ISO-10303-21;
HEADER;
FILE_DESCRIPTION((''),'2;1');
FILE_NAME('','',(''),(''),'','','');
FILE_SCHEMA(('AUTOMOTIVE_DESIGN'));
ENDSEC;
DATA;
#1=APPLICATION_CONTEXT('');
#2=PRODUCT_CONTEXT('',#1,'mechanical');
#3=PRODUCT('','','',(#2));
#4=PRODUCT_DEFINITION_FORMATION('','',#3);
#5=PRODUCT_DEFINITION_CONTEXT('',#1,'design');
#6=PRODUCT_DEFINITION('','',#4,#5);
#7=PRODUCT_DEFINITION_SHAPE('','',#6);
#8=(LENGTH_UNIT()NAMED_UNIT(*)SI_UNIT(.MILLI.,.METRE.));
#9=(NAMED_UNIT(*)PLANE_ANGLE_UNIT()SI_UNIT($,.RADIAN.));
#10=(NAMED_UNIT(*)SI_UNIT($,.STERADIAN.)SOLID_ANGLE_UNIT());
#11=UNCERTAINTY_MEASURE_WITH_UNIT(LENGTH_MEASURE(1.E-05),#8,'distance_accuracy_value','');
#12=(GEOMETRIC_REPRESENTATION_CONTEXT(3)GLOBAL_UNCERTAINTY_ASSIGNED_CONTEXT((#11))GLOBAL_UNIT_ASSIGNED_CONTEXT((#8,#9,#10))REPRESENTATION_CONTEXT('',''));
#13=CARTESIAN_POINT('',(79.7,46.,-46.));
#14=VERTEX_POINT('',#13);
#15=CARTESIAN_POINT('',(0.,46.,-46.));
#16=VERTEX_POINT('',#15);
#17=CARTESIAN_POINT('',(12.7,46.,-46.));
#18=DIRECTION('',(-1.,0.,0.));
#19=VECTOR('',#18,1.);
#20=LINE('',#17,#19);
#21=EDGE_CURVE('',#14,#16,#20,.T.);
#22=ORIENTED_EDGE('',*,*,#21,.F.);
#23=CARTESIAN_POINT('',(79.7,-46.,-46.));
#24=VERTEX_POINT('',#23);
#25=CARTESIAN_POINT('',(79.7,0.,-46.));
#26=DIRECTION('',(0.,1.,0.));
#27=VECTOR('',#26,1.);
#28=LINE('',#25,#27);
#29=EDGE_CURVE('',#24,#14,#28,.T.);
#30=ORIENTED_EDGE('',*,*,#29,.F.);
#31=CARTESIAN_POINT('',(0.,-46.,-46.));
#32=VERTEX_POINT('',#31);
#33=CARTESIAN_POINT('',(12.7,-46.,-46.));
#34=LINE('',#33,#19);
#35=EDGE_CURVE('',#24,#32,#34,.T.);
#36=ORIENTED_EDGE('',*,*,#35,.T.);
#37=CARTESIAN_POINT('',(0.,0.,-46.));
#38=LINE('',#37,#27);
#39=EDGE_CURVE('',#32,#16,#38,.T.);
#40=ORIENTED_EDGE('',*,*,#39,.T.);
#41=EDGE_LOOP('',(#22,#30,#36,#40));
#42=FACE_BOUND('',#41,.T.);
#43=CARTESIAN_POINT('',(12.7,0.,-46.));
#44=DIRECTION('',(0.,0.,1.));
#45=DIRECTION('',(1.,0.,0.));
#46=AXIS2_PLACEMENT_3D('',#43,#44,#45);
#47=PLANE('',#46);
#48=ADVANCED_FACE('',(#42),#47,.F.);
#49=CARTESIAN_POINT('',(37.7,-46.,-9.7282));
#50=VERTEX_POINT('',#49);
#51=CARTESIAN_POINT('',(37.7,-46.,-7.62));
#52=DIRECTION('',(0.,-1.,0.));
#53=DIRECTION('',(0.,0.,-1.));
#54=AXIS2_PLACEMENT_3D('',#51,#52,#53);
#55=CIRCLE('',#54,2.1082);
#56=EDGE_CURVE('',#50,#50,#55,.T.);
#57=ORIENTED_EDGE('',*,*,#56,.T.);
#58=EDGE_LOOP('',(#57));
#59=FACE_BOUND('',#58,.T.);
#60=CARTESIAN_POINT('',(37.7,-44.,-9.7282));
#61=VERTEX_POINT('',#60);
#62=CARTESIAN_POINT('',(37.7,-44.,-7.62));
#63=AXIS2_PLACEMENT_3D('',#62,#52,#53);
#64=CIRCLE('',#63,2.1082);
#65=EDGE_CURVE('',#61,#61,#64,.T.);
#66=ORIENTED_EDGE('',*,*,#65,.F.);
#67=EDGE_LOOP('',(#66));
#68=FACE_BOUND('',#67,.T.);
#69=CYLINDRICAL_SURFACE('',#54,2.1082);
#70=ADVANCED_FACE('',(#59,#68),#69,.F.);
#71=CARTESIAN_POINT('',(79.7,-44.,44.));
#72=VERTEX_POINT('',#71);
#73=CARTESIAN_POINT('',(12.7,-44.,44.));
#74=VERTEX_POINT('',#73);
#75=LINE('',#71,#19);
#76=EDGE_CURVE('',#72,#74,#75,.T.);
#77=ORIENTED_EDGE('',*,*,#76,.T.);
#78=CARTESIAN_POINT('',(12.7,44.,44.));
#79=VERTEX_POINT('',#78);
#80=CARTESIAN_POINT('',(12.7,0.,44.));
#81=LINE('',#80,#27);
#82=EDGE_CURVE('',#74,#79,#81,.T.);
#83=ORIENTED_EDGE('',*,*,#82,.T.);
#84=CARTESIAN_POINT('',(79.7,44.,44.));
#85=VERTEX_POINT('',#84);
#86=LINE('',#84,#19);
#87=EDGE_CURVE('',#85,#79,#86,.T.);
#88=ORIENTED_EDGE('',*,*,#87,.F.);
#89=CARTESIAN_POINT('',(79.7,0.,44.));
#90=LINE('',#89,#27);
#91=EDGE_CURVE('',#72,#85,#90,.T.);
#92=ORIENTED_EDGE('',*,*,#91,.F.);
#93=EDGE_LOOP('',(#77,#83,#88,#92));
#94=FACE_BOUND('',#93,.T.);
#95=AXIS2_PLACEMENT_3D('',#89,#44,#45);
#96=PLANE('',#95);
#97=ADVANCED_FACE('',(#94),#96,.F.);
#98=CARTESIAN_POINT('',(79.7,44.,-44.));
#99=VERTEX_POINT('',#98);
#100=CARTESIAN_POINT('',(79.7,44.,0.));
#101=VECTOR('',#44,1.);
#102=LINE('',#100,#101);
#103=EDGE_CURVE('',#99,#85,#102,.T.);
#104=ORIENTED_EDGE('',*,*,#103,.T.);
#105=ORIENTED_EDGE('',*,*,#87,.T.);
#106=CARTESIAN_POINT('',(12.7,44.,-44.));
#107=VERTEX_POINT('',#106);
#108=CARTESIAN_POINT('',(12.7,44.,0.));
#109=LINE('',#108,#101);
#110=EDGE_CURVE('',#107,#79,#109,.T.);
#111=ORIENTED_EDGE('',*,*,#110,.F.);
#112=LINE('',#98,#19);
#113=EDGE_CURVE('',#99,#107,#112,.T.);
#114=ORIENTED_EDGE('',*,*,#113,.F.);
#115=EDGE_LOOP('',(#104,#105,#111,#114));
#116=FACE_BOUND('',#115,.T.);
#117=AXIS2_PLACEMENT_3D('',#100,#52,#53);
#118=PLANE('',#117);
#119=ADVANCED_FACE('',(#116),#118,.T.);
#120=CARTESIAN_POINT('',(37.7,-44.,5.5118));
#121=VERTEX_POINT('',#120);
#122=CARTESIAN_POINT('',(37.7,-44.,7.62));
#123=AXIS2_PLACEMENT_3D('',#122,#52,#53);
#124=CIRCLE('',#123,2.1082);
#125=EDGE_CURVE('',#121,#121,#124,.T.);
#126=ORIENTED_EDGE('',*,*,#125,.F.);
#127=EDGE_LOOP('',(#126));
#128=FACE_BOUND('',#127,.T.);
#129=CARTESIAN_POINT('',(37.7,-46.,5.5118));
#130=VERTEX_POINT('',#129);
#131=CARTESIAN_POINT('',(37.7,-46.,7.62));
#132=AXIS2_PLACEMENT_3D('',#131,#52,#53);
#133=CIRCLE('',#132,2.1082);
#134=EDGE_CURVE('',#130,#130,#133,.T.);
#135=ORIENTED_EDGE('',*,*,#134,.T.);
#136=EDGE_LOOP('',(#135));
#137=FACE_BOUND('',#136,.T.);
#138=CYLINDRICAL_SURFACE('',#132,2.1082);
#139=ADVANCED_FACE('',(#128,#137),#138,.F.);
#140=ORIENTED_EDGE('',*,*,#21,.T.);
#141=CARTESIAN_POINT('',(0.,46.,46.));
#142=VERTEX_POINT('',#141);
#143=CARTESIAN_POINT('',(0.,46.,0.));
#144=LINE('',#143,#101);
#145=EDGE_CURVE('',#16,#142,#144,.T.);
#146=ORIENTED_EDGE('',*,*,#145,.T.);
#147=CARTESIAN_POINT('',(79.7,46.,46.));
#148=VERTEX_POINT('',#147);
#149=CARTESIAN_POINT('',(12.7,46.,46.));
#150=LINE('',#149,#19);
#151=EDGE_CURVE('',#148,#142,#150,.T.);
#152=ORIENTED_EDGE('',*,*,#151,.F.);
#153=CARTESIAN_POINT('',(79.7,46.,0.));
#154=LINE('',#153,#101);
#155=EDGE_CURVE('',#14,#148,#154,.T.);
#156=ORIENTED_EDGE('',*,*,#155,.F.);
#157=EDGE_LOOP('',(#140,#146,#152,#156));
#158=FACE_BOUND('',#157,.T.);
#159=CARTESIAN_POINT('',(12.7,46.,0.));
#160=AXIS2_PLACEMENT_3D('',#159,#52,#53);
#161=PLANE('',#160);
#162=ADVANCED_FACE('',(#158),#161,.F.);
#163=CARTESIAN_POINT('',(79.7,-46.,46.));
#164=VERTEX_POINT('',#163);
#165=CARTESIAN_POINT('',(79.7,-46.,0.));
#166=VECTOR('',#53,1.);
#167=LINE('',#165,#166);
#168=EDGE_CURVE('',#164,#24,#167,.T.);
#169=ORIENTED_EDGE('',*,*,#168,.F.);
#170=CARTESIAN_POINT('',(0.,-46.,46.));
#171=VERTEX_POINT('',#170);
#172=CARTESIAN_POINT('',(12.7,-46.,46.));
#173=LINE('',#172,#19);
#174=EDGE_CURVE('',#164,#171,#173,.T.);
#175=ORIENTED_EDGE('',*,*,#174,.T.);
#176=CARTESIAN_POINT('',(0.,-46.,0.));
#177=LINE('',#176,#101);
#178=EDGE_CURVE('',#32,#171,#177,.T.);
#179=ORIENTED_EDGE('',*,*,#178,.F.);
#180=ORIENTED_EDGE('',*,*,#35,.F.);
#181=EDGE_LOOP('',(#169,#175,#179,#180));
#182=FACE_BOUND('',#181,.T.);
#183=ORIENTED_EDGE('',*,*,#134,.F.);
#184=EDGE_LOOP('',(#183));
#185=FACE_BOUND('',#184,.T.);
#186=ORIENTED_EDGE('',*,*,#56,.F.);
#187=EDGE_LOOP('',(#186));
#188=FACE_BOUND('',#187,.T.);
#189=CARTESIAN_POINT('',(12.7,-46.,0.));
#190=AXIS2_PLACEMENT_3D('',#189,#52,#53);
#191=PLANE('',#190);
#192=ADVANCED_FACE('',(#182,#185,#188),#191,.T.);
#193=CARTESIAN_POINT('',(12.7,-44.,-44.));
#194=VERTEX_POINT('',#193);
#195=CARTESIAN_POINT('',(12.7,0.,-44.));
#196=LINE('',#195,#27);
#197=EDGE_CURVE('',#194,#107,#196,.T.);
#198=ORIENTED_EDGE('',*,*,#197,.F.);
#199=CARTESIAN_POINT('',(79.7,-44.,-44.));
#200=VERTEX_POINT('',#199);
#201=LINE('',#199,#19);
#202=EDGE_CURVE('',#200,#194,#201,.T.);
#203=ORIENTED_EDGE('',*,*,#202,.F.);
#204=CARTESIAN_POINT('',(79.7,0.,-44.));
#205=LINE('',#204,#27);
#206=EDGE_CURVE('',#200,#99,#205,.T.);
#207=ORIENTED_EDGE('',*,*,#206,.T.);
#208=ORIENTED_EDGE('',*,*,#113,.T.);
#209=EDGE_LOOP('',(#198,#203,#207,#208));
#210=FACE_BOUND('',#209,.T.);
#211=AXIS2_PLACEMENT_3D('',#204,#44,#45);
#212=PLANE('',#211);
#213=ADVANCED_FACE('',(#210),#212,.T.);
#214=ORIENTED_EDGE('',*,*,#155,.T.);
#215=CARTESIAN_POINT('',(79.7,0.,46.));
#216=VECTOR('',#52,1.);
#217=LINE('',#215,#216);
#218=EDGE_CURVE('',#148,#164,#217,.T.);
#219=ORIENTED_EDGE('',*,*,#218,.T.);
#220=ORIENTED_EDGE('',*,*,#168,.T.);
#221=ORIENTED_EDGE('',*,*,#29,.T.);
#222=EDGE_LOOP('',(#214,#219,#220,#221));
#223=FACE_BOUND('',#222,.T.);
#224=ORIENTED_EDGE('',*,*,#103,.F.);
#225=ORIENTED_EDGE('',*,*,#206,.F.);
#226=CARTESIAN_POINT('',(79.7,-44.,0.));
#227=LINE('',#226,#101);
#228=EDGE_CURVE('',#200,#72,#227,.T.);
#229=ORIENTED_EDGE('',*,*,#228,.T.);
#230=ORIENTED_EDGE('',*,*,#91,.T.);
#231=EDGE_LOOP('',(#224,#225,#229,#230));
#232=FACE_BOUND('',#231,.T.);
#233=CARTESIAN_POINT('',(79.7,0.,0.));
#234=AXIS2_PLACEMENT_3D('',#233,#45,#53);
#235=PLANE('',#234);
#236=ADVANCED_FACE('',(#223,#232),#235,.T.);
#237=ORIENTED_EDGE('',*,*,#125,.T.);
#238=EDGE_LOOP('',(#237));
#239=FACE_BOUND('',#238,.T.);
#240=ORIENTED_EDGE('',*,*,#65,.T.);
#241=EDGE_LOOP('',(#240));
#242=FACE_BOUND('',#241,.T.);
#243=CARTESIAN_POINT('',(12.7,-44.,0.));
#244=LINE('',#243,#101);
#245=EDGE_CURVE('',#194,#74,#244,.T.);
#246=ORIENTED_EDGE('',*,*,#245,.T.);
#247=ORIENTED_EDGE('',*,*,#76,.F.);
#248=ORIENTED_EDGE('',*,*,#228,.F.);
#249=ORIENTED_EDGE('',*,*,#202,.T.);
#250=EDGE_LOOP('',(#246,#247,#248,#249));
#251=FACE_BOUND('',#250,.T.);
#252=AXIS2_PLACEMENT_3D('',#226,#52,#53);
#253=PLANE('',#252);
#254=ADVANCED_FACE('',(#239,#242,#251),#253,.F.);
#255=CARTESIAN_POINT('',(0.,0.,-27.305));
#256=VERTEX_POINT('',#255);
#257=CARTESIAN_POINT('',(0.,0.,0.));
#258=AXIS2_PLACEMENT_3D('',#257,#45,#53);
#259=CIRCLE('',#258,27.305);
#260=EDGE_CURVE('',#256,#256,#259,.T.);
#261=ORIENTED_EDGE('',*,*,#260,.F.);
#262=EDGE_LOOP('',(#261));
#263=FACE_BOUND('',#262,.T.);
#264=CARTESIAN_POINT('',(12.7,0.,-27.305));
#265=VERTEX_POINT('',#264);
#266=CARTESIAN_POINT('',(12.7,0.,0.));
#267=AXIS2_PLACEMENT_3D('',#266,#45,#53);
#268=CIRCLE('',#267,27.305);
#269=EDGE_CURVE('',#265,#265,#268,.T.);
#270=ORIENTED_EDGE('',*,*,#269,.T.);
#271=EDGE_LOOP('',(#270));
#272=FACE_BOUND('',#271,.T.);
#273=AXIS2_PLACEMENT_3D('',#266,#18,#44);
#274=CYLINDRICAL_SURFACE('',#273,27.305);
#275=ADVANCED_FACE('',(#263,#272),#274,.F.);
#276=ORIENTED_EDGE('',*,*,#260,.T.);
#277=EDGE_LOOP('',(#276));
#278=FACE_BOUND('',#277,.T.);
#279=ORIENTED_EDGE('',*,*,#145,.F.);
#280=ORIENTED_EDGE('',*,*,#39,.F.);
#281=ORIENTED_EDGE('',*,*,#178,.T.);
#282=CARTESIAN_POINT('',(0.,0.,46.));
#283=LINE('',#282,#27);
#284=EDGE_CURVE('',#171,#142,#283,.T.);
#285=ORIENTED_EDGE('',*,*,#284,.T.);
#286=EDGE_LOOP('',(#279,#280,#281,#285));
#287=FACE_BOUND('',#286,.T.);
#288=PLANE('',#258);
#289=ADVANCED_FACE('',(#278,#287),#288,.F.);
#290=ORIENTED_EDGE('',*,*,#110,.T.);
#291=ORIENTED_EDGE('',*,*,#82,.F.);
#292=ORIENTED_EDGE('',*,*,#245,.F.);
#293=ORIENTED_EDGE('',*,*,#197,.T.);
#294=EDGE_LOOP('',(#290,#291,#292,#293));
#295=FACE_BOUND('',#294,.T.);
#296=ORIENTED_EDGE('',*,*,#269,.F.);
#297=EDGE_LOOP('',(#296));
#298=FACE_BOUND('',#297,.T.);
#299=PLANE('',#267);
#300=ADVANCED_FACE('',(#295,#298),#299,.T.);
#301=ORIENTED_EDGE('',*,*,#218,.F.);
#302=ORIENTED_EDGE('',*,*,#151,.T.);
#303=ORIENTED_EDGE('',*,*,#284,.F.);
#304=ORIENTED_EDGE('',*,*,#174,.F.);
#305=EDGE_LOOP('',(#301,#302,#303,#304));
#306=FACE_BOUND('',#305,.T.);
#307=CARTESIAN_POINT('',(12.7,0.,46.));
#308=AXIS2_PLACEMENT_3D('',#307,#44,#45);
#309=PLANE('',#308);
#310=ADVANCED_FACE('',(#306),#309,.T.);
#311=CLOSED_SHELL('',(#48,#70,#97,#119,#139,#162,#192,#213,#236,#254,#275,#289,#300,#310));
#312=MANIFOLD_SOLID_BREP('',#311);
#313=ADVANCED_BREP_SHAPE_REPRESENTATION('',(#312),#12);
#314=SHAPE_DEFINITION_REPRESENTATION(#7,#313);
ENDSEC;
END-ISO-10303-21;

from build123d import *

# Parameters (mm, degrees)
SKETCH1_W                       = 92
SKETCH1_H                       = 92
SKETCH1_W_2                     = 88
SKETCH1_H_2                     = 88
SKETCH1_R                       = 27.305
BOSS_EXTRUDE1_DEPTH             = 12.7
SKETCH2_W                       = 92
SKETCH2_H                       = 92
SKETCH2_W_2                     = 88
SKETCH2_H_2                     = 88
BOSS_EXTRUDE2_DEPTH             = 67
F_19_0_166_DIAMETER_HOLE1_D     = 4.2164
F_19_0_166_DIAMETER_HOLE1_DEPTH = 2


with BuildPart() as part:
    # Sketch1 → Boss-Extrude1 (new body)
    # profile 1 of 2: a face of its own
    with BuildSketch(Plane(origin=(0, 0, 0), x_dir=(0, 0, -1), z_dir=(1, 0, 0))):
        Rectangle(SKETCH1_W, SKETCH1_H)
        Rectangle(SKETCH1_W_2, SKETCH1_H_2, mode=Mode.SUBTRACT)
    # profile 2 of 2: a face of its own
    with BuildSketch(Plane(origin=(0, 0, 0), x_dir=(0, 0, -1), z_dir=(1, 0, 0))):
        Rectangle(SKETCH1_W_2, SKETCH1_H_2)
        Circle(SKETCH1_R, mode=Mode.SUBTRACT)
    extrude(amount=BOSS_EXTRUDE1_DEPTH)

    # Sketch2 → Boss-Extrude2 (add)
    with BuildSketch(Plane(origin=(12.7, 0, 0), x_dir=(0, 0, -1), z_dir=(1, 0, 0))):
        Rectangle(SKETCH2_W, SKETCH2_H)
        Rectangle(SKETCH2_W_2, SKETCH2_H_2, mode=Mode.SUBTRACT)
    extrude(amount=BOSS_EXTRUDE2_DEPTH)

    # #19 (0.166) Diameter Hole1
    with Locations(Plane(origin=(0, -46, 0), x_dir=(-1, 0, 0), z_dir=(0, -1, 0))):
        with Locations((-37.7, 7.62), (-37.7, -7.62), (17.600686592, 72.613770274), (-57.973181852, -74.350642439), (-79.7, -100.115693871), (-40.410274663, -84.366152369)):
            Hole(F_19_0_166_DIAMETER_HOLE1_D / 2, depth=F_19_0_166_DIAMETER_HOLE1_DEPTH)


solid = part.part
